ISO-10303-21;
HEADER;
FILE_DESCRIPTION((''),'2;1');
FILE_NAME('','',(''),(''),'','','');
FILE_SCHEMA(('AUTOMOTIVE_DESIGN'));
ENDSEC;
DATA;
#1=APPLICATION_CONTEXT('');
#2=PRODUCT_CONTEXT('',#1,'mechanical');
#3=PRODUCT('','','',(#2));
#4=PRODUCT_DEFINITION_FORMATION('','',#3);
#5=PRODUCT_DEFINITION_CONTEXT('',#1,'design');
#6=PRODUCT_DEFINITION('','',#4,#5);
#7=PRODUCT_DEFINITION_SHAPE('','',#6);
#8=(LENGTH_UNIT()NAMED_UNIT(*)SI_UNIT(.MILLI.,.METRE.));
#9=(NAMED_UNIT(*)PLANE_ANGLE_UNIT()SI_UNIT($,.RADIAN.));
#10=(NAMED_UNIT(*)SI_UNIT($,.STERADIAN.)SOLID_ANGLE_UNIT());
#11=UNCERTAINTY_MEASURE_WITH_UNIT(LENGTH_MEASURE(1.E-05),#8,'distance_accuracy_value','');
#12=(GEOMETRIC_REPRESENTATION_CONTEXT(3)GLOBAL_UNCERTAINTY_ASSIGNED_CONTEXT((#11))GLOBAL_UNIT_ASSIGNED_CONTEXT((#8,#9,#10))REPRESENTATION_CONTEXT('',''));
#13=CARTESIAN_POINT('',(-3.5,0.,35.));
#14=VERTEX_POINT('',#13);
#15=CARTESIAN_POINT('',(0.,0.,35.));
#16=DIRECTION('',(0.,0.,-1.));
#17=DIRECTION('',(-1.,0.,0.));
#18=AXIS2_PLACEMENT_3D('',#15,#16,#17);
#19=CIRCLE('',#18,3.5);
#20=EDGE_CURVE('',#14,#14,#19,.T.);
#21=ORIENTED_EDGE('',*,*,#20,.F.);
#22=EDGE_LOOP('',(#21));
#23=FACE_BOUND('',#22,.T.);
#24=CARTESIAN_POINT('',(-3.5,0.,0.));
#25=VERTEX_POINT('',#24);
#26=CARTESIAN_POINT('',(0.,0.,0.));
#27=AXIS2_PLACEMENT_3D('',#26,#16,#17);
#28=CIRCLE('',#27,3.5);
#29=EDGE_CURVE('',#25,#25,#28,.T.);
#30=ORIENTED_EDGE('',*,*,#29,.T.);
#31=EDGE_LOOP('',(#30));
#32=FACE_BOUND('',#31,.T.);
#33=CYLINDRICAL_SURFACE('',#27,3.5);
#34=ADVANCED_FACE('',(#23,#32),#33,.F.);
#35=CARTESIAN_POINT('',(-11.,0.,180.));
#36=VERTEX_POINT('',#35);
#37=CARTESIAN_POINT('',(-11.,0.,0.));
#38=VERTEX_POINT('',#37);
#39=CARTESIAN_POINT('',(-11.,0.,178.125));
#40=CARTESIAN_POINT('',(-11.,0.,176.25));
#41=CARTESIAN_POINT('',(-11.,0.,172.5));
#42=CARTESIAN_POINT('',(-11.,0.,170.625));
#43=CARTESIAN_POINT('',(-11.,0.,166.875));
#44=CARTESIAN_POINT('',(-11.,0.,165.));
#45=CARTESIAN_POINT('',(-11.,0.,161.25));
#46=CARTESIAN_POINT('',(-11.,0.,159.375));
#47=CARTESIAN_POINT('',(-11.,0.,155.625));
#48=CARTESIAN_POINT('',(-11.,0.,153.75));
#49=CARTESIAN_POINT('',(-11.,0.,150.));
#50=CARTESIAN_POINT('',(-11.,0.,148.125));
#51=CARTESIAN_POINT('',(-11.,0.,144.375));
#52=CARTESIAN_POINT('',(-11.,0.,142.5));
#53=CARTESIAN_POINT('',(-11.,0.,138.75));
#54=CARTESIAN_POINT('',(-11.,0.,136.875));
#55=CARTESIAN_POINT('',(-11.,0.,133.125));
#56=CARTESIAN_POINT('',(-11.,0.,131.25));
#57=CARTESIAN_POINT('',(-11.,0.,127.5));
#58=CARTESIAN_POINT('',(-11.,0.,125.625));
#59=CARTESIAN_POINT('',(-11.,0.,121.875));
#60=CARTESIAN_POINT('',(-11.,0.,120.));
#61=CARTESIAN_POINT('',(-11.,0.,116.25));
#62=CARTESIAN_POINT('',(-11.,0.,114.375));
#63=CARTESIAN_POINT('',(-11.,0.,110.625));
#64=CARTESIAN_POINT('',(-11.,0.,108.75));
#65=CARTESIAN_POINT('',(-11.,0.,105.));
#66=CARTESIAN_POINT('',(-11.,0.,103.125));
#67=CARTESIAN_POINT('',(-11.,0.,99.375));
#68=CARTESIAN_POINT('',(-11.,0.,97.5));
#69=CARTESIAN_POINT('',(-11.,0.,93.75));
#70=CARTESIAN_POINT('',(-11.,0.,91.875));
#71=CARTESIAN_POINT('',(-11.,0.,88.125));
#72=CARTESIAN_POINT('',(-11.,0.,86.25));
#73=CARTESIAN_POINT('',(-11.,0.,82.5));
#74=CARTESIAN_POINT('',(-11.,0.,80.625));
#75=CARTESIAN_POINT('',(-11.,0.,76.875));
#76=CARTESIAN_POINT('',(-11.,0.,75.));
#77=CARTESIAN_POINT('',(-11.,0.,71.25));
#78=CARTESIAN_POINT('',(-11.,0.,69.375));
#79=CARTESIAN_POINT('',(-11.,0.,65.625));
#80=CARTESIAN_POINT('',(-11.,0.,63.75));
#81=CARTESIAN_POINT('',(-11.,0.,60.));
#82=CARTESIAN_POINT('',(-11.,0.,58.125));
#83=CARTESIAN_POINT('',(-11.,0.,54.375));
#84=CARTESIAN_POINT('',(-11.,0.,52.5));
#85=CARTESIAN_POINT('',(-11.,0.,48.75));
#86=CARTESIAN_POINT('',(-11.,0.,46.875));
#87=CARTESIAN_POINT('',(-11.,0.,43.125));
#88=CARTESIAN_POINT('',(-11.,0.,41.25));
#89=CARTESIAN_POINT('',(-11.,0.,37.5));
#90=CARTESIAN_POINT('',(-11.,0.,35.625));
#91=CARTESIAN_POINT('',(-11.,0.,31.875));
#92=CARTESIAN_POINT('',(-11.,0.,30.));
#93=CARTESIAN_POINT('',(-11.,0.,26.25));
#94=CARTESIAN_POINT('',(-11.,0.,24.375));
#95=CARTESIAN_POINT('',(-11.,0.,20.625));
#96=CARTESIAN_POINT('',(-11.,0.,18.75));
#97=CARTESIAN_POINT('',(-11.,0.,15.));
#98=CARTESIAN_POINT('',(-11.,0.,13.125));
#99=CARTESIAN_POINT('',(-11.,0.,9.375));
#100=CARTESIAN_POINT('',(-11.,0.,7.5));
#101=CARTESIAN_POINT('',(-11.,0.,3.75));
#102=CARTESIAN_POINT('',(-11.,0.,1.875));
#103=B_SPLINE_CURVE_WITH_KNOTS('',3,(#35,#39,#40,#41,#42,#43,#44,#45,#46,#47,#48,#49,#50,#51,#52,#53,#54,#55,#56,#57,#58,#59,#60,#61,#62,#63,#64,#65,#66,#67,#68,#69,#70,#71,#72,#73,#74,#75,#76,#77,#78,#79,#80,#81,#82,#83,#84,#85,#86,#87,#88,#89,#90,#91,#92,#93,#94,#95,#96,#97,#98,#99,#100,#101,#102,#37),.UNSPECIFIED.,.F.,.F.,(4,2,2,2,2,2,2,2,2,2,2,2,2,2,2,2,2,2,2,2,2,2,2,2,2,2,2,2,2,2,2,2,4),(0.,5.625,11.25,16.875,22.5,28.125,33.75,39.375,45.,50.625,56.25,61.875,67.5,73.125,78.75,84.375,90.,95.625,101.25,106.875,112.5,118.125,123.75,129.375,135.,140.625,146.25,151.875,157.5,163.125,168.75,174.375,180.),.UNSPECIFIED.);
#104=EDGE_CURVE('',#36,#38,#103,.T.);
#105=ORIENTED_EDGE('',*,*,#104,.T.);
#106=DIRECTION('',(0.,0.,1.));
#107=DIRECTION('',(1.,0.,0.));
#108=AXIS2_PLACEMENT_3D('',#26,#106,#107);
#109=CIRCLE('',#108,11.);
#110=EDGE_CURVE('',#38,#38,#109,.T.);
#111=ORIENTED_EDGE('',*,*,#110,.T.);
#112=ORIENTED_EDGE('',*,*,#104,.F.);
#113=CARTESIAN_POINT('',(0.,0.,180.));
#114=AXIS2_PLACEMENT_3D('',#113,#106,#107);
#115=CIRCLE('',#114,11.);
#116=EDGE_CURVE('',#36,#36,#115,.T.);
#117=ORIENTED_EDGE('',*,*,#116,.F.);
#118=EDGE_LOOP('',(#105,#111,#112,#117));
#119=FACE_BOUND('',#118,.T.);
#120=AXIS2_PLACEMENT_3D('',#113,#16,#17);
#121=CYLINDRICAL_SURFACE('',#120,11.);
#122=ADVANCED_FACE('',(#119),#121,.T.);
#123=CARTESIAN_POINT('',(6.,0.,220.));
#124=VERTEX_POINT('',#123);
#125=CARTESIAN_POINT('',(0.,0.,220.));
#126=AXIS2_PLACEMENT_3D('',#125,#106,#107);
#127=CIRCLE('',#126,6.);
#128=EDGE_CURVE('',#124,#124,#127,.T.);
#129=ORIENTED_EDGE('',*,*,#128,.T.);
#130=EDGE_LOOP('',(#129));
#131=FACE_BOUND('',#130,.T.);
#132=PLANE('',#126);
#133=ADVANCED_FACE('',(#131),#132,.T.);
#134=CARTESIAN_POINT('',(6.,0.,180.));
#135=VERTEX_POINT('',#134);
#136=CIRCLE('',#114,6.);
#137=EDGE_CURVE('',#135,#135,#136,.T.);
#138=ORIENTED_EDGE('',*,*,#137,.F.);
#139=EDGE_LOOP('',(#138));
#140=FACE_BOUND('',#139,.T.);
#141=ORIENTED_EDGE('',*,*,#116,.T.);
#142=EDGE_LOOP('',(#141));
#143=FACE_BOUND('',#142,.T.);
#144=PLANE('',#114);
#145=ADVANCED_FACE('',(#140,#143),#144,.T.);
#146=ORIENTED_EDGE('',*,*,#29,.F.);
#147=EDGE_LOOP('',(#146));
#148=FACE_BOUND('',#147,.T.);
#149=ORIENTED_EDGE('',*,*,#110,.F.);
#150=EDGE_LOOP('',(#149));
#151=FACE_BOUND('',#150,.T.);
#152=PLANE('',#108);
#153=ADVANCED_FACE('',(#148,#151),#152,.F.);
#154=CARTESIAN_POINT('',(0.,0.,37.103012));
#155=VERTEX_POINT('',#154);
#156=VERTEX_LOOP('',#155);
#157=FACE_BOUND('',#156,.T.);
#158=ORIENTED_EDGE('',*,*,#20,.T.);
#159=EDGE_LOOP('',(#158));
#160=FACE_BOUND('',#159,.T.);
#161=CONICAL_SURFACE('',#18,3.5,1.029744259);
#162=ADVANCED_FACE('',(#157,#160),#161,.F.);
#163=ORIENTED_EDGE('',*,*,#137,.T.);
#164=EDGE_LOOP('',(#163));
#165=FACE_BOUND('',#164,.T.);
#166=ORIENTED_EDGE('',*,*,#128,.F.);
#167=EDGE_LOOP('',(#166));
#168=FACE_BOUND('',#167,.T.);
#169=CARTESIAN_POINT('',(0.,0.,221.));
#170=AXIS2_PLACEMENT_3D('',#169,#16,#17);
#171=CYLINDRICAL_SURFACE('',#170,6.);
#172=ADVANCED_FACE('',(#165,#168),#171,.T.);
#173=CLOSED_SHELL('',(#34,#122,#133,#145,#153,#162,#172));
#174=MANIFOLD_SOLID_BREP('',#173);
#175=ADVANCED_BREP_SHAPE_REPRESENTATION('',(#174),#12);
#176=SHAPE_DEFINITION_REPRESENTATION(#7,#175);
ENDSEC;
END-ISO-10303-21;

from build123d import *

# Parameters (mm, degrees)
ESBO_O2_R                     = 11
RESSALTO_EXTRUS_O1_DEPTH      = 180
ESBO_O11_R                    = 6
RESSALTO_EXTRUS_O4_DEPTH      = 41
CORTE_EXTRUS_O1_START         = -1
ESBO_O15_R                    = 6
CORTE_EXTRUS_O1_DEPTH         = 1
FURO_ROSCADO_DE_M8X1_01_D     = 7
FURO_ROSCADO_DE_M8X1_01_DEPTH = 35
FURO_ROSCADO_DE_M8X1_01_TIP   = 2.103012167


with BuildPart() as part:
    # Esboço2 → Ressalto-extrusão1 (new body)
    with BuildSketch(Plane.XY):
        with Locations(Location((0, 0, 0), (0, 0, 180))):
            Circle(ESBO_O2_R)
    extrude(amount=RESSALTO_EXTRUS_O1_DEPTH)

    # Esboço11 → Ressalto-extrusão4 (add)
    with BuildSketch(Plane.XY.offset(180)):
        Circle(ESBO_O11_R)
    extrude(amount=RESSALTO_EXTRUS_O4_DEPTH)

    # Esboço15 → Corte-extrusão1 (cut)
    with BuildSketch(Plane.XY.offset(221).offset(CORTE_EXTRUS_O1_START)):
        Circle(ESBO_O15_R)
    extrude(amount=CORTE_EXTRUS_O1_DEPTH, mode=Mode.SUBTRACT)

    # Furo roscado de M8x1.01
    with Locations(Plane(origin=(0, 0, 0), x_dir=(-1, 0, 0), z_dir=(0, 0, -1))):
        with Locations((0, 0)):
            Hole(FURO_ROSCADO_DE_M8X1_01_D / 2, depth=FURO_ROSCADO_DE_M8X1_01_DEPTH)
            with Locations((0, 0, -(FURO_ROSCADO_DE_M8X1_01_DEPTH + FURO_ROSCADO_DE_M8X1_01_TIP / 2))):  # 118° drill point
                Cone(0, FURO_ROSCADO_DE_M8X1_01_D / 2, FURO_ROSCADO_DE_M8X1_01_TIP, mode=Mode.SUBTRACT)


solid = part.part
